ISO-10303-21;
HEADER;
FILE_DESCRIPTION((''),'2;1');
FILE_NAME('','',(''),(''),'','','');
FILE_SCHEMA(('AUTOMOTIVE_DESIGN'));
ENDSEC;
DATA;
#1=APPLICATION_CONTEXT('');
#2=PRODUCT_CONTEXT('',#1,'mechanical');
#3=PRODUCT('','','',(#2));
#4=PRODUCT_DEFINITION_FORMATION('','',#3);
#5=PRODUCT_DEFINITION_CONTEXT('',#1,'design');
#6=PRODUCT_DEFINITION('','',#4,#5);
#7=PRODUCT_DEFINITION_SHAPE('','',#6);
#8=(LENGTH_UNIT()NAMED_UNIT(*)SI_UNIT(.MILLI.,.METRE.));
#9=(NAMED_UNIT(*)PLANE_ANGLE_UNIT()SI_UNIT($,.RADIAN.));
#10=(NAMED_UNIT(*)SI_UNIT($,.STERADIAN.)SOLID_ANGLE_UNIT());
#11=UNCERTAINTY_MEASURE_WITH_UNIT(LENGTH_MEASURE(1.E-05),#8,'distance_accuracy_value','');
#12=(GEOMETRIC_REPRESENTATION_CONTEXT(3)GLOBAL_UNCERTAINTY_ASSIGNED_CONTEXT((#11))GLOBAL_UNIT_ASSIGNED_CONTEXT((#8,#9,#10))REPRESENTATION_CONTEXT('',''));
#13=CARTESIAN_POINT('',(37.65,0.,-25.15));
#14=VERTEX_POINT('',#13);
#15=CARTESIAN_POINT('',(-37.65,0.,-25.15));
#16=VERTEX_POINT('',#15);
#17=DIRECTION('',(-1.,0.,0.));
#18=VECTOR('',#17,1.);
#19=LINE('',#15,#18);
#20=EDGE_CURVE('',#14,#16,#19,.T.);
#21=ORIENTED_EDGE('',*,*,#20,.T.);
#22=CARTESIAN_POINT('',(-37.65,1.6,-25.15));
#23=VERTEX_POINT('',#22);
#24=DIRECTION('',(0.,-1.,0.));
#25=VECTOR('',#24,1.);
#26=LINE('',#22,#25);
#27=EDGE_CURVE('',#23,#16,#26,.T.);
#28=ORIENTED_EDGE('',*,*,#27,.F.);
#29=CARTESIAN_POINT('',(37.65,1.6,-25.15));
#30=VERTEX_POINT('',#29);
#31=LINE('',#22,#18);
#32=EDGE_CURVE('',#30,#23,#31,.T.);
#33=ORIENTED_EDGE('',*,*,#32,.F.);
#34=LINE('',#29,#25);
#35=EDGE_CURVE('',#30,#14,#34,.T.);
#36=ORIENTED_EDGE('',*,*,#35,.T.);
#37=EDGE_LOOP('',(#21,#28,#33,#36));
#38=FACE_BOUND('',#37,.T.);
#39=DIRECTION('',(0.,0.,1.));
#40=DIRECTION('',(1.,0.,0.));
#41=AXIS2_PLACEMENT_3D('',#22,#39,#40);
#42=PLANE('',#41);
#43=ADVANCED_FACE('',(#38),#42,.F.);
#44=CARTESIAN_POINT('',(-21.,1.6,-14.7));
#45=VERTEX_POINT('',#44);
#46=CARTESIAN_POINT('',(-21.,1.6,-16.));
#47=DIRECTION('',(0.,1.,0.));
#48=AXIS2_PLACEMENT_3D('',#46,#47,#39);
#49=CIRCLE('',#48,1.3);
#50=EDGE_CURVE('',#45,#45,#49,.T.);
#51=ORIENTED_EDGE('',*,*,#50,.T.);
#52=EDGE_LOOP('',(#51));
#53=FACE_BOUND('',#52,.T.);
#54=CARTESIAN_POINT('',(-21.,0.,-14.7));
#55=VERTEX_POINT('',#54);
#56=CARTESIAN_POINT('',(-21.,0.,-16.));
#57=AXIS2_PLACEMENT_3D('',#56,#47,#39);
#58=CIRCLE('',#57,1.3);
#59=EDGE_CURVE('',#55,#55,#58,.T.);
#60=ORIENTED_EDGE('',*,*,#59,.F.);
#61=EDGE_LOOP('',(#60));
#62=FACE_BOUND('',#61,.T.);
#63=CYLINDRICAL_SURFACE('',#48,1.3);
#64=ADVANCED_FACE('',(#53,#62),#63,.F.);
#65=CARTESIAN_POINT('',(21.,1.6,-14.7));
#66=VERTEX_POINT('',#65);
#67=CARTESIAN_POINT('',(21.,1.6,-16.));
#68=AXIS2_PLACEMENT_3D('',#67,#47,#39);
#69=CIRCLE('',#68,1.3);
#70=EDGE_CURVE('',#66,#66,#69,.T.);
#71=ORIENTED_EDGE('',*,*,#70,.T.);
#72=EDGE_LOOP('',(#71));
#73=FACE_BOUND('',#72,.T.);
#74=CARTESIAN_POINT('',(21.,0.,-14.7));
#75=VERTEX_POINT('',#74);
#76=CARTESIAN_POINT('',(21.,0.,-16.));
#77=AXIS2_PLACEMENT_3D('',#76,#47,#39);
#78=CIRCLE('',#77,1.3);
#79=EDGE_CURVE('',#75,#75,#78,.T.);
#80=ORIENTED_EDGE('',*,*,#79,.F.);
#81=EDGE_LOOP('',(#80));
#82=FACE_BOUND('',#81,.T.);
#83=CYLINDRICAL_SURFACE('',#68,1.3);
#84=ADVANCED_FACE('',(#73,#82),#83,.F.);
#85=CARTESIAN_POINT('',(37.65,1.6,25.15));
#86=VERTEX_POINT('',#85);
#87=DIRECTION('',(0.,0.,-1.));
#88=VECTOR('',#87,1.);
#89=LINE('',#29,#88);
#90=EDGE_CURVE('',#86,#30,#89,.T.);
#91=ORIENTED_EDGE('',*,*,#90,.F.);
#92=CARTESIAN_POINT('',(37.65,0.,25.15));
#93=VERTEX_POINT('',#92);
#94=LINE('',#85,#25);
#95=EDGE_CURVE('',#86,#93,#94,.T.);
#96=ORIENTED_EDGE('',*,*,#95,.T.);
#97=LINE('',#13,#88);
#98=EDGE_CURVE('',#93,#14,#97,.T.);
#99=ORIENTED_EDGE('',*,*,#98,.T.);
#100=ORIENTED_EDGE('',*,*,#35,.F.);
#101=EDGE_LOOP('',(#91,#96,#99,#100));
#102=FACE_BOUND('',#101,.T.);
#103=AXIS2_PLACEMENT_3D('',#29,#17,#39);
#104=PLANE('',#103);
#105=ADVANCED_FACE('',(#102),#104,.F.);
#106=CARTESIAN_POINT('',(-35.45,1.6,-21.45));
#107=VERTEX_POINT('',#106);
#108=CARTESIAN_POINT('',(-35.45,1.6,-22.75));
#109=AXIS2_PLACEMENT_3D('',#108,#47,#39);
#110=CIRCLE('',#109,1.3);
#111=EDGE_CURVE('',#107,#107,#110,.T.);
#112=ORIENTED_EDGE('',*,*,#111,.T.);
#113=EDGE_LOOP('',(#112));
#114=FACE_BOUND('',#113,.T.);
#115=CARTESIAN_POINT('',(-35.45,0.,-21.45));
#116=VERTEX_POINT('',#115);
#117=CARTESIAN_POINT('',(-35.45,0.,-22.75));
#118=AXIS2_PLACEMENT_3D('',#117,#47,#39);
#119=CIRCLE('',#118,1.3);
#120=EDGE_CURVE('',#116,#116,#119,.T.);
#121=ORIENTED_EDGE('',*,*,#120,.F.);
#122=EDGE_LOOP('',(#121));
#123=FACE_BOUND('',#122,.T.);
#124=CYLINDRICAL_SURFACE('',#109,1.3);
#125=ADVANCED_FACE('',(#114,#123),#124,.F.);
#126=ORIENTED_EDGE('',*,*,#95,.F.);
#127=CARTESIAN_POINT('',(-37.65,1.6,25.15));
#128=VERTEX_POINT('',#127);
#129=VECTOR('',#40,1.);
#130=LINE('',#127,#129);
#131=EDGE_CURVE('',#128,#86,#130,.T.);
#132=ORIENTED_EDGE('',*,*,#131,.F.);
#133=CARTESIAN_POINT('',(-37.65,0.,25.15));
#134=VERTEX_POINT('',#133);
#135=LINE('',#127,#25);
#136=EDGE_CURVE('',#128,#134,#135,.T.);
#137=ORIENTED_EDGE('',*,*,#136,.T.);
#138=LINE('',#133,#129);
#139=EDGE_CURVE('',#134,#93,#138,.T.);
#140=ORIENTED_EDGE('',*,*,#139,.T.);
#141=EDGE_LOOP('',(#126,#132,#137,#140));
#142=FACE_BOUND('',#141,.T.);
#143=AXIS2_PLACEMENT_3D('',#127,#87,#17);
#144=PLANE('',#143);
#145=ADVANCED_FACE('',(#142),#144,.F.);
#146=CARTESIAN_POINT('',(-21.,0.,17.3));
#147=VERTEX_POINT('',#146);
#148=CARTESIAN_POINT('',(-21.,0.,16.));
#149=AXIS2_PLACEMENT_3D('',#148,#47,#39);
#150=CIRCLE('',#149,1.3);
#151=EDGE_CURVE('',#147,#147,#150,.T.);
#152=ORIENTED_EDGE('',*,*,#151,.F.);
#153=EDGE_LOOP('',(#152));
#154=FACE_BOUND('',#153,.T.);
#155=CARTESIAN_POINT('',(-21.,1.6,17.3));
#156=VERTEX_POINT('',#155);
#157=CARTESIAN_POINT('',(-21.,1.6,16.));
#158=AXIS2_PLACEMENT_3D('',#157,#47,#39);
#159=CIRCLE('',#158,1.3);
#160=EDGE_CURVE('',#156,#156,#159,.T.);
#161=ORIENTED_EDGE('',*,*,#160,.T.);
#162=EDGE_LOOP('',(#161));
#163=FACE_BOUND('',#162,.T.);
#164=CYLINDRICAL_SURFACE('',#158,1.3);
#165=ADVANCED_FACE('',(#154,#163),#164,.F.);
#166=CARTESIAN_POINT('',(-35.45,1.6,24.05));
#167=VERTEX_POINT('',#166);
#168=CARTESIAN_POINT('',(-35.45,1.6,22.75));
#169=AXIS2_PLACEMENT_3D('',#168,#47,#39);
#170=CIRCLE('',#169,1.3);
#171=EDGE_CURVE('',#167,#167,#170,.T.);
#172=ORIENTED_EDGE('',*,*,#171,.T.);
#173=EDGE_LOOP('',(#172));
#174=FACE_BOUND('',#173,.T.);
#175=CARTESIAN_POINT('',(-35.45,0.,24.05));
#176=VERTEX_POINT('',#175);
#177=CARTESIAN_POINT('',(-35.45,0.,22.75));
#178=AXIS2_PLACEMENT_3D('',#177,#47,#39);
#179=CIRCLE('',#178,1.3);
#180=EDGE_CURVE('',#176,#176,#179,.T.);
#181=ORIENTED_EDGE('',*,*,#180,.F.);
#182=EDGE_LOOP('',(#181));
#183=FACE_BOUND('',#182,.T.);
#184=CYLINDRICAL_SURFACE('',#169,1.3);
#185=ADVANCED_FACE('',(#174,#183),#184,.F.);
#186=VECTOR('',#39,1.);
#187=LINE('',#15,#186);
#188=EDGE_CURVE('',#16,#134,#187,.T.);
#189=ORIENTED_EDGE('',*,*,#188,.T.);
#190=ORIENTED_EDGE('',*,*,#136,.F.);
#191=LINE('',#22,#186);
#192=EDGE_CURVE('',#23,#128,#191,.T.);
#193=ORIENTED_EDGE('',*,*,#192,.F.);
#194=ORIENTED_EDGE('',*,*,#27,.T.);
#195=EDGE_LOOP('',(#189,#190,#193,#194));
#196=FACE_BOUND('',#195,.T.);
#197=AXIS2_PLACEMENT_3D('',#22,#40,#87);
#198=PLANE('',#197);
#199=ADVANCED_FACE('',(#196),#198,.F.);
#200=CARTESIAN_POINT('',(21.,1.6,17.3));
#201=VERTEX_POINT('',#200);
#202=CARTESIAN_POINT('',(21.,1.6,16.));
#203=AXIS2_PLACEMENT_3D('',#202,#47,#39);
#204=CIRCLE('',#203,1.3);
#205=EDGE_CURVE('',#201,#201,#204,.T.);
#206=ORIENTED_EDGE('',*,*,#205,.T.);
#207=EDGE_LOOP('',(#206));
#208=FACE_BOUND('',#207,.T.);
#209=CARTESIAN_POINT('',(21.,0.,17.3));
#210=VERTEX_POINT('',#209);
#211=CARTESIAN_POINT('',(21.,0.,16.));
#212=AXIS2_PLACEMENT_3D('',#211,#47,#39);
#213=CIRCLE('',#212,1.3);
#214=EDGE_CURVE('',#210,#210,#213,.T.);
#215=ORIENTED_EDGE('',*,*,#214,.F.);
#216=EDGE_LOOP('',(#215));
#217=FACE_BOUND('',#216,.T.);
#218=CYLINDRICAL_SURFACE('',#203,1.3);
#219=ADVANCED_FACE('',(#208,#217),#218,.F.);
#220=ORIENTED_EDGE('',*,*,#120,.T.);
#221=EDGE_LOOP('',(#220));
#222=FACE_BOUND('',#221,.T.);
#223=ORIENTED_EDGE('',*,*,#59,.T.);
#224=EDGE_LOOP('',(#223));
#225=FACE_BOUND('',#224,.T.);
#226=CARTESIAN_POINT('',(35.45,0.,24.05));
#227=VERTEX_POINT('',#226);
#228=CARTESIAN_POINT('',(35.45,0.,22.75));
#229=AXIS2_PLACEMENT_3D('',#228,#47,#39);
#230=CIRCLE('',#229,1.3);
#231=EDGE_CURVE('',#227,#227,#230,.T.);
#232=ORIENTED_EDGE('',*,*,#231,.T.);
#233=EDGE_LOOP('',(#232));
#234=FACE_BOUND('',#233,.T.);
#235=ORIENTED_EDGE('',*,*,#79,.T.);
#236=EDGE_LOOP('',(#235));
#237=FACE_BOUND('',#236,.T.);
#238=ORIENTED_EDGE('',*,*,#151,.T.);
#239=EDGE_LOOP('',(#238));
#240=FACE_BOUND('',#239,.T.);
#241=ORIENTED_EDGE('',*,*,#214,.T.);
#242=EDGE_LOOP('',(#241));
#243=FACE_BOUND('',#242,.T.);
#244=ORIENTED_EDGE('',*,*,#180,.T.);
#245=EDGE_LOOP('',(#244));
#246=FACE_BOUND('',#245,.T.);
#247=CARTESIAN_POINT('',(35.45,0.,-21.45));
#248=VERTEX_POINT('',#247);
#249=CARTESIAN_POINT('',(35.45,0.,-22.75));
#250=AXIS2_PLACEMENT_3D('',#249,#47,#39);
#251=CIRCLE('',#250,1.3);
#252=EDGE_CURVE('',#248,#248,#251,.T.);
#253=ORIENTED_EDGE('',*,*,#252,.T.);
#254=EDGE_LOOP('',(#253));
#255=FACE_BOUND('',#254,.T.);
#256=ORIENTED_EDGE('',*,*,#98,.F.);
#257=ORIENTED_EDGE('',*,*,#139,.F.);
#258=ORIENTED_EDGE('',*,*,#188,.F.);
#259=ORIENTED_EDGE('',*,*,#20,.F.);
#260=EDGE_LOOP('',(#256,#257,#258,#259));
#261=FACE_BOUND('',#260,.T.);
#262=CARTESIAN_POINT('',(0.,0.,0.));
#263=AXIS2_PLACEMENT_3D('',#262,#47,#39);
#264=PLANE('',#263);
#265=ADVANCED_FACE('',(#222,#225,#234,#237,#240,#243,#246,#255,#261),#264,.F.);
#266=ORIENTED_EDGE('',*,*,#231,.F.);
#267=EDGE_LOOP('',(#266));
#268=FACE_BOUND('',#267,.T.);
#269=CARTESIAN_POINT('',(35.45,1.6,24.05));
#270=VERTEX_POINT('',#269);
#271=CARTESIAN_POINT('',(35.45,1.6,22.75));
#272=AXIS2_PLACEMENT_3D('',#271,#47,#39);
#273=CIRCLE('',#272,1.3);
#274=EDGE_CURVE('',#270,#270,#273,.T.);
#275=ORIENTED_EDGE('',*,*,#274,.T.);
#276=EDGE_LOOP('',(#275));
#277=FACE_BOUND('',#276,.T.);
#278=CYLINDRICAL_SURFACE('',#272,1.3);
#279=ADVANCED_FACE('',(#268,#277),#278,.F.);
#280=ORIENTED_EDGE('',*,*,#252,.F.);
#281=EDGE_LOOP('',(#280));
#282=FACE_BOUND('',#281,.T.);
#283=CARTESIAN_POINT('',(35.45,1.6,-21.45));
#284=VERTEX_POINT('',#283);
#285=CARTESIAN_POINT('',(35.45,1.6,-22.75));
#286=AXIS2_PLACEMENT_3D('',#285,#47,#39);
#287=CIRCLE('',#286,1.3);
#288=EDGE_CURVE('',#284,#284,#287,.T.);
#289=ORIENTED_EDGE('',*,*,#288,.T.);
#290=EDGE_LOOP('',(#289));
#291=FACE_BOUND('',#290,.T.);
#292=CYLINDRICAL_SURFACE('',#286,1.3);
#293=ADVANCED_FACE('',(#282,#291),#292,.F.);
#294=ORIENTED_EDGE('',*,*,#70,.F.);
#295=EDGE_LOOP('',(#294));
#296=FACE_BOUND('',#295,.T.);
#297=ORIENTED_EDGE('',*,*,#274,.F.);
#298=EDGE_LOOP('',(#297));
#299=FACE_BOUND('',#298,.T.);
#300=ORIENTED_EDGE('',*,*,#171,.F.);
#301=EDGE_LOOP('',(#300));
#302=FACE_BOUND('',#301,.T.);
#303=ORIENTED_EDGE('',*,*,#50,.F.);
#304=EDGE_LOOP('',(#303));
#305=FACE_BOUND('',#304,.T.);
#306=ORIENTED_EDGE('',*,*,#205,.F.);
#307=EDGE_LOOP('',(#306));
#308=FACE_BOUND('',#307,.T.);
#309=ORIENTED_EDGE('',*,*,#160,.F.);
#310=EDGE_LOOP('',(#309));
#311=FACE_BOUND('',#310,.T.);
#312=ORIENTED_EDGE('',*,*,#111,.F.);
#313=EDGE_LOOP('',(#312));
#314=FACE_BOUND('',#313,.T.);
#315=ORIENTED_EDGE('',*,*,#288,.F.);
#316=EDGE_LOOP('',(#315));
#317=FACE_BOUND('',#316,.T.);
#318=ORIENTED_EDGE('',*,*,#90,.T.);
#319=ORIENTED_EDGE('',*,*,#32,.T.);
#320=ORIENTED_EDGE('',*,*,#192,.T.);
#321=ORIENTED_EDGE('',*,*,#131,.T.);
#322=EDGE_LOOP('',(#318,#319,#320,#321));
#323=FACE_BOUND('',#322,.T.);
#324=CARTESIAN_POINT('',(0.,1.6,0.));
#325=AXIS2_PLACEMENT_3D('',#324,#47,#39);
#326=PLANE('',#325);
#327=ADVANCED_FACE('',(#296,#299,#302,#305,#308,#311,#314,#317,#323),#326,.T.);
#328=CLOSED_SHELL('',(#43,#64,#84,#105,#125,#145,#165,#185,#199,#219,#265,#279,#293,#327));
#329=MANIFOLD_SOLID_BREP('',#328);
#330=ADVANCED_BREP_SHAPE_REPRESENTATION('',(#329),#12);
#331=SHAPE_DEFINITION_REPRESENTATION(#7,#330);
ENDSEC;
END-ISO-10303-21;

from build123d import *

# Parameters (mm, degrees)
CROQUIS7_W                   = 75.3
CROQUIS7_H                   = 50.3
SALIENTE_EXTRUIR1_DEPTH      = 1.6
TALADRO_DE_MARGEN_PARA_M23_D = 2.6
TALADRO_DE_MARGEN_PARA_M24_D = 2.6


with BuildPart() as part:
    # Croquis7 → Saliente-Extruir1 (new body)
    with BuildSketch(Plane(origin=(0, 0, 0), x_dir=(1, 0, 0), z_dir=(0, 1, 0))):
        Rectangle(CROQUIS7_W, CROQUIS7_H)
    extrude(amount=SALIENTE_EXTRUIR1_DEPTH)

    # Taladro de margen para M23 (through all)
    with Locations(Plane(origin=(0, 1.6, 0), x_dir=(1, 0, 0), z_dir=(0, 1, 0))):
        with Locations((-35.45, 22.75), (35.45, 22.75), (35.45, -22.75), (-35.45, -22.75)):
            Hole(TALADRO_DE_MARGEN_PARA_M23_D / 2)

    # Taladro de margen para M24 (through all)
    with Locations(Plane(origin=(0, 1.6, 0), x_dir=(1, 0, 0), z_dir=(0, 1, 0))):
        with Locations((-21, 16), (21, 16), (21, -16), (-21, -16)):
            Hole(TALADRO_DE_MARGEN_PARA_M24_D / 2)


solid = part.part
